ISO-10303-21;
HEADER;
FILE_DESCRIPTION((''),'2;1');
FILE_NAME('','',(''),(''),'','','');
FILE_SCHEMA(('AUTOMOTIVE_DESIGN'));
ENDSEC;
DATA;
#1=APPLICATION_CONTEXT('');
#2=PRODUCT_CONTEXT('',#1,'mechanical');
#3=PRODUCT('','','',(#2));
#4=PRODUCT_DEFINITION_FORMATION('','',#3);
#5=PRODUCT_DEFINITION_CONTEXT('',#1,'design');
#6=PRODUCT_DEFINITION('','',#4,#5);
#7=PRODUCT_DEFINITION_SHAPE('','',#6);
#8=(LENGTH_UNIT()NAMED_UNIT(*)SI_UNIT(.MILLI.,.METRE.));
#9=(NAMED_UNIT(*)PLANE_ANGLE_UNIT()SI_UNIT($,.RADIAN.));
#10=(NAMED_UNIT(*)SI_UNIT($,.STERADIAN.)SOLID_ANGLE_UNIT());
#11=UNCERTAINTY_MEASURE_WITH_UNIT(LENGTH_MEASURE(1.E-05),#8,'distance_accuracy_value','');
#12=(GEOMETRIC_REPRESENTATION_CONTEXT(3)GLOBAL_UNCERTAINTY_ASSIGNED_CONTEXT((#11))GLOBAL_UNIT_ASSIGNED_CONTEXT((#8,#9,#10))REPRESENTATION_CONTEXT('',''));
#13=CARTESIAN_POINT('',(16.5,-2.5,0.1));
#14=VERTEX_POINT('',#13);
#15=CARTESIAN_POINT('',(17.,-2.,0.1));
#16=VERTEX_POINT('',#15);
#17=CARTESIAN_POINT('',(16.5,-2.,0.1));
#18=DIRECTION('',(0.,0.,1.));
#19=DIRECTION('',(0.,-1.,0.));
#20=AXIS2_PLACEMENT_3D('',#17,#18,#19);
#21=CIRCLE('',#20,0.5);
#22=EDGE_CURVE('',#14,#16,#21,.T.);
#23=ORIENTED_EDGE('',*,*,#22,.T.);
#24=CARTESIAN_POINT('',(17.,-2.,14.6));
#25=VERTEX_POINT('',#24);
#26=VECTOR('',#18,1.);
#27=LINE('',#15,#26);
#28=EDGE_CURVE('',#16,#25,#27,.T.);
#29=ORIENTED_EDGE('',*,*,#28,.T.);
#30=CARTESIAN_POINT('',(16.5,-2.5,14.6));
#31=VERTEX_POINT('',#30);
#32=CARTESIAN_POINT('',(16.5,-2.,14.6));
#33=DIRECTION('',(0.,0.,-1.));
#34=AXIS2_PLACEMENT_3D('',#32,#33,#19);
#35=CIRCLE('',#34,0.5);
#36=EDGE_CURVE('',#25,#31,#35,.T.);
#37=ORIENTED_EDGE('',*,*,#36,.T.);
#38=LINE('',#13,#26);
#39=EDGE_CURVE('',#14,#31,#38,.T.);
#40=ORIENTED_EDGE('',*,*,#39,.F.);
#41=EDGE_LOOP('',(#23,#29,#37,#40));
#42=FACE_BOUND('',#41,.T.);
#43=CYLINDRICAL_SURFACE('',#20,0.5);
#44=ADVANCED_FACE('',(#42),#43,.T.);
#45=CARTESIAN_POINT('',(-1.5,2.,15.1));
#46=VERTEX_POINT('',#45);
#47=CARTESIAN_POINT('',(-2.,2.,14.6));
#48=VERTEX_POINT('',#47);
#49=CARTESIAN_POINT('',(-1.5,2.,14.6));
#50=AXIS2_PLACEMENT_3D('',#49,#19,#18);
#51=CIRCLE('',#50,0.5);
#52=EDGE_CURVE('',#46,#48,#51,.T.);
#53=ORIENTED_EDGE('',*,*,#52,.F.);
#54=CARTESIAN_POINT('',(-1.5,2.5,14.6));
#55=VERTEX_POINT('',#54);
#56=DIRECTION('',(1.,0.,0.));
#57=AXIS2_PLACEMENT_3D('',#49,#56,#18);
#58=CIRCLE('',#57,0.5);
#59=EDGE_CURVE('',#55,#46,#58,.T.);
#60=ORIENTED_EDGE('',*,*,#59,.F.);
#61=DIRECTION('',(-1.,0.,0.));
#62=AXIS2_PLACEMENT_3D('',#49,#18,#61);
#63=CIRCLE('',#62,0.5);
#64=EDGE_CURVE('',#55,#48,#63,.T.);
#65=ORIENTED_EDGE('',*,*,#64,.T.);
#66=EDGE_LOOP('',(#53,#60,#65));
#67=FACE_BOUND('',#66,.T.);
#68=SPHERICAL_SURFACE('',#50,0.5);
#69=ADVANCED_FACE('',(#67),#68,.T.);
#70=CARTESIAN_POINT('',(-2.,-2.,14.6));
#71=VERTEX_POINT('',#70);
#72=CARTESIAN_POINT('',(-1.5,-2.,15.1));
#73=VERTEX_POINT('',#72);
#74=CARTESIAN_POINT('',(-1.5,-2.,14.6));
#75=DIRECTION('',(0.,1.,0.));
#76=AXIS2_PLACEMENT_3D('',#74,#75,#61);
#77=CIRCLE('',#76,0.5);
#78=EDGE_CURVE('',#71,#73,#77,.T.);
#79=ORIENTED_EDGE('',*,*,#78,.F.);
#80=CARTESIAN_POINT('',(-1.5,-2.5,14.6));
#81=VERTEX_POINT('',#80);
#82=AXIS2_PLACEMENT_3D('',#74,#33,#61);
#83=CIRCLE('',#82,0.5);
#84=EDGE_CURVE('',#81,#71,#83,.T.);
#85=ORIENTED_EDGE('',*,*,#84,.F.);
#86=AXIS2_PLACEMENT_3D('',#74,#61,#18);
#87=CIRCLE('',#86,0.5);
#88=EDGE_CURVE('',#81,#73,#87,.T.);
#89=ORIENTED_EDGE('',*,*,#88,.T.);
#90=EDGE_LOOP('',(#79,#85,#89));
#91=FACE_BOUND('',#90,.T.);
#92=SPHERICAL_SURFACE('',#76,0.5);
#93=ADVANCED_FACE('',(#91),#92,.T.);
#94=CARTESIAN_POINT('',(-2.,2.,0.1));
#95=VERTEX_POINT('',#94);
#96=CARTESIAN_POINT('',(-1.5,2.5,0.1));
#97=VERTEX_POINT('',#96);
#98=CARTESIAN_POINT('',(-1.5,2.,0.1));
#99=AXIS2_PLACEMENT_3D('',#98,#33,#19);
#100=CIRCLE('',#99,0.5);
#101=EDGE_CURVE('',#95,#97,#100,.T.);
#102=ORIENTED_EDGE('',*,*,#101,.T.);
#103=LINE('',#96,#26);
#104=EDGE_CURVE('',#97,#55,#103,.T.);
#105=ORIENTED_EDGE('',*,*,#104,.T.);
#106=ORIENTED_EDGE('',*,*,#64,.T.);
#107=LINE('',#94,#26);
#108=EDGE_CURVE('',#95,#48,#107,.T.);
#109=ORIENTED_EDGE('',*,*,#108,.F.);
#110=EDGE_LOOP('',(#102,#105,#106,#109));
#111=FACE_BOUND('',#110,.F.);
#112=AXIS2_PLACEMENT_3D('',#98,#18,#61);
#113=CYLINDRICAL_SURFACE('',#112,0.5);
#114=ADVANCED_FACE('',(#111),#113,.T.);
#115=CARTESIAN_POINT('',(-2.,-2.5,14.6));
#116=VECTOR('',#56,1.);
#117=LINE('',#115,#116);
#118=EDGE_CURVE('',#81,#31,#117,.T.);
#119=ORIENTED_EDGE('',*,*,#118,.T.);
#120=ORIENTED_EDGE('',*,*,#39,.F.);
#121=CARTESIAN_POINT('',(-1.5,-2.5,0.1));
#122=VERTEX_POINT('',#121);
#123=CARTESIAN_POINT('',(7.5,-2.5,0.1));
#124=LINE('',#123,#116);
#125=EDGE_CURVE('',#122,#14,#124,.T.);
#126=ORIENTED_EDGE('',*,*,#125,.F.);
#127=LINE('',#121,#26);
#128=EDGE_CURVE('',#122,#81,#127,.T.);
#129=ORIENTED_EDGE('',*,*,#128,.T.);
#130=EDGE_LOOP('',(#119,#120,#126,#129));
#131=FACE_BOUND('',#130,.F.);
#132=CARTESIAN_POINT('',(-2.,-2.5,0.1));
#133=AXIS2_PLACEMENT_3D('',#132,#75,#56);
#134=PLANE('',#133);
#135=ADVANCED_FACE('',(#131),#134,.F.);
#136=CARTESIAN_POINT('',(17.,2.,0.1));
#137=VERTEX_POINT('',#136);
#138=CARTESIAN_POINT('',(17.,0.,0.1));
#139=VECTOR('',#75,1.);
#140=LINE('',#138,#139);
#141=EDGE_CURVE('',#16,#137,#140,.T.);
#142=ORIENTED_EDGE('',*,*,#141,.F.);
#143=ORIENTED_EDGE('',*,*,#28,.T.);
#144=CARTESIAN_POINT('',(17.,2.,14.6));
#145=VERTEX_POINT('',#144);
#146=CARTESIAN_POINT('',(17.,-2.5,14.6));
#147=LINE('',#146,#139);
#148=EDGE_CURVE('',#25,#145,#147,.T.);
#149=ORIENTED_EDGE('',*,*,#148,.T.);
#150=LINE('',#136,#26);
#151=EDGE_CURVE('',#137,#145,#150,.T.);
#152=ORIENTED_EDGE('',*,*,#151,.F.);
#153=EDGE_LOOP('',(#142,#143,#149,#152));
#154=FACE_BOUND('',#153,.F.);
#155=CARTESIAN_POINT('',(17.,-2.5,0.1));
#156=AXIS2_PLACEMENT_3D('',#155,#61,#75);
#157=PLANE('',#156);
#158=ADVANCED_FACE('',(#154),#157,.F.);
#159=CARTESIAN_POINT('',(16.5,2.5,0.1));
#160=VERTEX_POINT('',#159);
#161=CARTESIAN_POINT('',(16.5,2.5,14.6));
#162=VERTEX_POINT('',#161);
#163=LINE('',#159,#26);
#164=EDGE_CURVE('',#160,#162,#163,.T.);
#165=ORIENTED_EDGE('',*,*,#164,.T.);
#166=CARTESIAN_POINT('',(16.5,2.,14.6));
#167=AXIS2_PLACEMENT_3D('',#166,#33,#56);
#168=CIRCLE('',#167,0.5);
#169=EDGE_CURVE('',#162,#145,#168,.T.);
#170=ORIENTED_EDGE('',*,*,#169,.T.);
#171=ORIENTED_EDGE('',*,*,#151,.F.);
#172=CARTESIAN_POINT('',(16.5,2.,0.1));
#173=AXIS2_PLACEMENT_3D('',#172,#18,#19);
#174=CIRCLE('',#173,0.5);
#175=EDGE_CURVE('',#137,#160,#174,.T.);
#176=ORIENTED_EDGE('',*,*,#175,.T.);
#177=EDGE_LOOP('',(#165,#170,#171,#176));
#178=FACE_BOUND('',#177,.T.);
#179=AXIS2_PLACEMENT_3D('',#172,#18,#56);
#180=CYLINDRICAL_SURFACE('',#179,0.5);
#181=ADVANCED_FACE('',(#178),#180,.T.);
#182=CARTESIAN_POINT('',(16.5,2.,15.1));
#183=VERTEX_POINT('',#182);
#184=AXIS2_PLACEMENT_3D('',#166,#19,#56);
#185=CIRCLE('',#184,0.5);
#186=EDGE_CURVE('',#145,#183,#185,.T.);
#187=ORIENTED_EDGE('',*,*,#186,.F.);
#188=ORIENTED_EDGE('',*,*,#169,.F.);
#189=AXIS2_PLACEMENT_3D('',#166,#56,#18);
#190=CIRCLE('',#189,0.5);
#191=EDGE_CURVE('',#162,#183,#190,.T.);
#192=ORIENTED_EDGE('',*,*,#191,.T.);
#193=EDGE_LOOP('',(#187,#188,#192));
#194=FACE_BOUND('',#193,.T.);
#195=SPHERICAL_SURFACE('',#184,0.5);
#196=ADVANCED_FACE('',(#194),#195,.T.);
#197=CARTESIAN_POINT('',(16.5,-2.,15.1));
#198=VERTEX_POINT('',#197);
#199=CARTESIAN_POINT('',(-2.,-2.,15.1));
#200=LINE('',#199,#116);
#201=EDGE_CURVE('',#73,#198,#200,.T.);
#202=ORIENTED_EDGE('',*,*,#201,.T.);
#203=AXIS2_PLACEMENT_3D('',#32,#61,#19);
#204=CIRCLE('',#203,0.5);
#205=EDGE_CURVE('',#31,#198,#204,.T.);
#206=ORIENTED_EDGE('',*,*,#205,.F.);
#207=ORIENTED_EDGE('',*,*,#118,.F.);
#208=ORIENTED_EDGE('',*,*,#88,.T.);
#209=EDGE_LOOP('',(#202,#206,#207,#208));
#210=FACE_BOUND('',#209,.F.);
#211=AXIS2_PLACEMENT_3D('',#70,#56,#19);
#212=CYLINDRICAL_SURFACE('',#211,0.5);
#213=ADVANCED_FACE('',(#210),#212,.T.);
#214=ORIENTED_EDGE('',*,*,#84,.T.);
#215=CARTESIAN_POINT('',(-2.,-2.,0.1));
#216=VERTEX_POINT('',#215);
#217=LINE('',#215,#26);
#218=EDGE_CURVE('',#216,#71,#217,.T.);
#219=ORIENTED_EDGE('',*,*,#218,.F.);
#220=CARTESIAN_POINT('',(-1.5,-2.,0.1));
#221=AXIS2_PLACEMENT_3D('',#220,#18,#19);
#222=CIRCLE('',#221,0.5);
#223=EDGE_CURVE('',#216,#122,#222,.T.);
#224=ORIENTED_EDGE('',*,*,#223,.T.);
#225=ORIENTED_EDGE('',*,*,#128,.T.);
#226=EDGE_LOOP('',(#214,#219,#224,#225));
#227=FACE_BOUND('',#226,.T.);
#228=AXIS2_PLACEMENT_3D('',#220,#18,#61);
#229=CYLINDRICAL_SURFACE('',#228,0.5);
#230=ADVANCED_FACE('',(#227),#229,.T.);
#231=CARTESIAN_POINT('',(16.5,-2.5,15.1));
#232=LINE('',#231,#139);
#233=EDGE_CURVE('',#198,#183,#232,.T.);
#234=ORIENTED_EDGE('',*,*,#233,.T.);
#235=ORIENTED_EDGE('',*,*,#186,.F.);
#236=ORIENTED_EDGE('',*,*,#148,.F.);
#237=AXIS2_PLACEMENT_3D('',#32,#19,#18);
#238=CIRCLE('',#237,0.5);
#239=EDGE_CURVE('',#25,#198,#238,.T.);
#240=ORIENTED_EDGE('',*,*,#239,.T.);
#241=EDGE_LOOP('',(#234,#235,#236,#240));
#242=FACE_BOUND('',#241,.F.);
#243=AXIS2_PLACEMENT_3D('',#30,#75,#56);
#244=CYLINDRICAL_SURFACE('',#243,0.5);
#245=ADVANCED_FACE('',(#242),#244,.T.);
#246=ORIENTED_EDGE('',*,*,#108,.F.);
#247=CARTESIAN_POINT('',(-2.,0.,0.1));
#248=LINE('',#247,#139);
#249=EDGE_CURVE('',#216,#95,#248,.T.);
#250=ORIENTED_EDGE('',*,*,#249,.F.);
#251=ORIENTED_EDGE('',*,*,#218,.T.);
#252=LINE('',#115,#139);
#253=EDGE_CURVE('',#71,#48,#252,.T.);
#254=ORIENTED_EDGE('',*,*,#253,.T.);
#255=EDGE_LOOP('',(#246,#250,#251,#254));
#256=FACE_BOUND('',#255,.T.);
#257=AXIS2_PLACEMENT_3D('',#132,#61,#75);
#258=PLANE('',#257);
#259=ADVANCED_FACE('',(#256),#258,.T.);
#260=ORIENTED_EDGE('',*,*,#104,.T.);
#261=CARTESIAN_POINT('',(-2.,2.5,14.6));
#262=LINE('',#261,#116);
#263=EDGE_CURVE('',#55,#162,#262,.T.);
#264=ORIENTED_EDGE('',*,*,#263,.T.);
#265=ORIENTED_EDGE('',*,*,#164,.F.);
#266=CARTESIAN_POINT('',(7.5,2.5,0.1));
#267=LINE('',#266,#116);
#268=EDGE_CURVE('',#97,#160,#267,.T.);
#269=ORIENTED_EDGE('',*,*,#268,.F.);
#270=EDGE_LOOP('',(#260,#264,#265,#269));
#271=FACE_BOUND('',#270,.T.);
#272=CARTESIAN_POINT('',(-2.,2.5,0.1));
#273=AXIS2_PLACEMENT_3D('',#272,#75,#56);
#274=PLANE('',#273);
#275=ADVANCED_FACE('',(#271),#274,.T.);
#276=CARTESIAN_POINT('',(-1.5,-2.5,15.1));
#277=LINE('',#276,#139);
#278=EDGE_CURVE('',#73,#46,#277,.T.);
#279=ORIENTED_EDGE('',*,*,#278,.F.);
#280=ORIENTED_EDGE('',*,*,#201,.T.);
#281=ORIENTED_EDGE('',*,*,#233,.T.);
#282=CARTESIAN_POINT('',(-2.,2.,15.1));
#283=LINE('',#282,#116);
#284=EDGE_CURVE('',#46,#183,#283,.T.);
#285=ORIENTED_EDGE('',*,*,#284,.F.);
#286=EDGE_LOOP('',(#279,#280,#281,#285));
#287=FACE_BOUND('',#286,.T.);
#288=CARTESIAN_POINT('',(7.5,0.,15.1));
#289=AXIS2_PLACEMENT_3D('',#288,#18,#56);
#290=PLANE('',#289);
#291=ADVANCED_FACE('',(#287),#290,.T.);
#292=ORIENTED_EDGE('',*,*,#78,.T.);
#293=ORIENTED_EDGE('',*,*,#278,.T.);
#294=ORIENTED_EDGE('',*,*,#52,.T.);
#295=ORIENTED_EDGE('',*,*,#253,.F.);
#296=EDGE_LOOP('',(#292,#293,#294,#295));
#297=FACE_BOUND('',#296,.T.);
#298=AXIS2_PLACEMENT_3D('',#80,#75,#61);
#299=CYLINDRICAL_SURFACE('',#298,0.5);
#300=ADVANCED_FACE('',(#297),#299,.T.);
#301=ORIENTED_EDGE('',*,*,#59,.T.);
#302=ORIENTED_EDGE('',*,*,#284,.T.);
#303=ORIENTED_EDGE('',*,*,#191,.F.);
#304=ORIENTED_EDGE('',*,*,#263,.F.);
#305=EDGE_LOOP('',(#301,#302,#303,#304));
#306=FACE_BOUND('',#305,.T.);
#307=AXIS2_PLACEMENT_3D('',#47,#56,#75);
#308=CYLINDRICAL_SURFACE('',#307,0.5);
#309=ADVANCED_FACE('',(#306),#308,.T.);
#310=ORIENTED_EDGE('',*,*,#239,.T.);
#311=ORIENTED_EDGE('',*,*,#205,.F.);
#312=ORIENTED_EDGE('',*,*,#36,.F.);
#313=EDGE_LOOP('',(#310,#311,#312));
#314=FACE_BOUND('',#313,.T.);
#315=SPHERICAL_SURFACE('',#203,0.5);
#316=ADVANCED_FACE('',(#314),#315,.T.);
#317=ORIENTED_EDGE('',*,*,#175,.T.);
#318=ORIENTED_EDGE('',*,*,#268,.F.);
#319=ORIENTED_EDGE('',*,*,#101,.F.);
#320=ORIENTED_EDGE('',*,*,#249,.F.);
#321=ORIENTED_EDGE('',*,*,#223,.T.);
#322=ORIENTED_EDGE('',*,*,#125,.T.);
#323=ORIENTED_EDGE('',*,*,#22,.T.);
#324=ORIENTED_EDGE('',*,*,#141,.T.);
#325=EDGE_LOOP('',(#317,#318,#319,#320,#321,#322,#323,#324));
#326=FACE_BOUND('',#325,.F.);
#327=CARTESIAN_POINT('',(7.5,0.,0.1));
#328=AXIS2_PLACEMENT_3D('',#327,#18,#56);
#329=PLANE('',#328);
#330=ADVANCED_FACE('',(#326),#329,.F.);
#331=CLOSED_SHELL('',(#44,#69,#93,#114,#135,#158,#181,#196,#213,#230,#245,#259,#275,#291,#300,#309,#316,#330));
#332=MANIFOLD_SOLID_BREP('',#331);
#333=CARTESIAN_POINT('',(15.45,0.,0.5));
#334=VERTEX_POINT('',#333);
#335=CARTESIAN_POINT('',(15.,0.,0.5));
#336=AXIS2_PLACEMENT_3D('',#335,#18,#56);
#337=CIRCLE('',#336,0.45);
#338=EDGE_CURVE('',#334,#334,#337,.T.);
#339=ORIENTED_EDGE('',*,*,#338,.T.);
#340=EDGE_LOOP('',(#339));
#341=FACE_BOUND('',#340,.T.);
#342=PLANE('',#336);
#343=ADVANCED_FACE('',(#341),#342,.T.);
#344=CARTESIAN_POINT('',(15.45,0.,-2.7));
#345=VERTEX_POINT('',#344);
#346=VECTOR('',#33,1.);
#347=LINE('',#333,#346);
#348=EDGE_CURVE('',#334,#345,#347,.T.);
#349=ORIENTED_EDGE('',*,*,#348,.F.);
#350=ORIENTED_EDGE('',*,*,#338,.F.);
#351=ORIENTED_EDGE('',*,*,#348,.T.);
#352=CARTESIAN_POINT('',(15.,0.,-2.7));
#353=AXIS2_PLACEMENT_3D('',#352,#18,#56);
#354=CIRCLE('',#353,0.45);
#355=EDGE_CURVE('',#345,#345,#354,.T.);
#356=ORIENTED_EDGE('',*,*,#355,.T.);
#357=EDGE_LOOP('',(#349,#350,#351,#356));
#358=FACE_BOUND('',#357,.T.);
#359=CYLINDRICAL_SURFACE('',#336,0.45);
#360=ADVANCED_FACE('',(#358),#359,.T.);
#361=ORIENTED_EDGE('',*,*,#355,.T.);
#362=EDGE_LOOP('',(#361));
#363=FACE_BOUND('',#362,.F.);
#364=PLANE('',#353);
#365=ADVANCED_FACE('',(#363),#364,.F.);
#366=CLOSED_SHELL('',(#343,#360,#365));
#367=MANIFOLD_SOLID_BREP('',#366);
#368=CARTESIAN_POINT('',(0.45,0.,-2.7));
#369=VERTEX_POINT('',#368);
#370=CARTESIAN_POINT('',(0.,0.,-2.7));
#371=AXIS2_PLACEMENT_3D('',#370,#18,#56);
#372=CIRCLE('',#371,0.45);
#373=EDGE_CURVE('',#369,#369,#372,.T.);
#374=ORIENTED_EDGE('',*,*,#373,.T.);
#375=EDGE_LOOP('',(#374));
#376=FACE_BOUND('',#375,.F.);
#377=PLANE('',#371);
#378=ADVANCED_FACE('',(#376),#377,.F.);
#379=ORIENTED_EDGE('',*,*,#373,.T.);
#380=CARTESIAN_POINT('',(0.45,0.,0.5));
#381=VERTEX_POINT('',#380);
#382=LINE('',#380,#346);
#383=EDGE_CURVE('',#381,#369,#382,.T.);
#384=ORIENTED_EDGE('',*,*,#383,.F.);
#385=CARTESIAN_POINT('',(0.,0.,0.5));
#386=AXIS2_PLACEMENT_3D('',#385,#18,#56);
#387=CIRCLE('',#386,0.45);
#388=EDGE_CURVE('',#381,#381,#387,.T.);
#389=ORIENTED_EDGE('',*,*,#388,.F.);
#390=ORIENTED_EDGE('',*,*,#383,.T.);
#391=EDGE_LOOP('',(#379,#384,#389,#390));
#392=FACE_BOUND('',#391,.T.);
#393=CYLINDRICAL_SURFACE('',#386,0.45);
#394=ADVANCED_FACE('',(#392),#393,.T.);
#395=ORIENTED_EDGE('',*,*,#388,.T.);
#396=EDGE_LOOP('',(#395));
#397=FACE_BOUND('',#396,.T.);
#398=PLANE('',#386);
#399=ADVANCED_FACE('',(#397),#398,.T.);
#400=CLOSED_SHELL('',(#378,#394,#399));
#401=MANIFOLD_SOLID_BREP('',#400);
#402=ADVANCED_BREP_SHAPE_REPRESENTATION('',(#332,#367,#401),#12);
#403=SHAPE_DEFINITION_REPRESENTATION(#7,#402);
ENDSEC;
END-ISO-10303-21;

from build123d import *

# Parameters (mm, degrees)
SKETCH_W     = 19
SKETCH_H     = 5
PAD_DEPTH    = 15
FILLET_R     = 0.5
SKETCH001_R  = 0.45
PAD001_DEPTH = 3.2


with BuildPart() as fillet_body:
    # Sketch → Pad (new body)
    with BuildSketch(Plane.XY.offset(0.1)):
        with Locations((7.5, 0)):
            Rectangle(SKETCH_W, SKETCH_H)
    extrude(amount=PAD_DEPTH)

    # Fillet
    fillet_edges = [fillet_body.edges().sort_by_distance(p)[0] for p in [
        (-2, 0, 15.1),
        (-2, -2.5, 7.6),
        (7.5, -2.5, 15.1),
        (17, -2.5, 7.6),
        (17, 0, 15.1),
        (17, 2.5, 7.6),
        (7.5, 2.5, 15.1),
        (-2, 2.5, 7.6),
    ]]
    fillet(fillet_edges, radius=FILLET_R)


with BuildPart() as pad001:
    # Sketch001 → Pad001 (new body)
    with BuildSketch(Plane.XY.offset(0.5)):
        Circle(SKETCH001_R)
        with Locations((15, 0)):
            Circle(SKETCH001_R)
    extrude(amount=-PAD001_DEPTH)


solid = Compound([fillet_body.part, pad001.part])
